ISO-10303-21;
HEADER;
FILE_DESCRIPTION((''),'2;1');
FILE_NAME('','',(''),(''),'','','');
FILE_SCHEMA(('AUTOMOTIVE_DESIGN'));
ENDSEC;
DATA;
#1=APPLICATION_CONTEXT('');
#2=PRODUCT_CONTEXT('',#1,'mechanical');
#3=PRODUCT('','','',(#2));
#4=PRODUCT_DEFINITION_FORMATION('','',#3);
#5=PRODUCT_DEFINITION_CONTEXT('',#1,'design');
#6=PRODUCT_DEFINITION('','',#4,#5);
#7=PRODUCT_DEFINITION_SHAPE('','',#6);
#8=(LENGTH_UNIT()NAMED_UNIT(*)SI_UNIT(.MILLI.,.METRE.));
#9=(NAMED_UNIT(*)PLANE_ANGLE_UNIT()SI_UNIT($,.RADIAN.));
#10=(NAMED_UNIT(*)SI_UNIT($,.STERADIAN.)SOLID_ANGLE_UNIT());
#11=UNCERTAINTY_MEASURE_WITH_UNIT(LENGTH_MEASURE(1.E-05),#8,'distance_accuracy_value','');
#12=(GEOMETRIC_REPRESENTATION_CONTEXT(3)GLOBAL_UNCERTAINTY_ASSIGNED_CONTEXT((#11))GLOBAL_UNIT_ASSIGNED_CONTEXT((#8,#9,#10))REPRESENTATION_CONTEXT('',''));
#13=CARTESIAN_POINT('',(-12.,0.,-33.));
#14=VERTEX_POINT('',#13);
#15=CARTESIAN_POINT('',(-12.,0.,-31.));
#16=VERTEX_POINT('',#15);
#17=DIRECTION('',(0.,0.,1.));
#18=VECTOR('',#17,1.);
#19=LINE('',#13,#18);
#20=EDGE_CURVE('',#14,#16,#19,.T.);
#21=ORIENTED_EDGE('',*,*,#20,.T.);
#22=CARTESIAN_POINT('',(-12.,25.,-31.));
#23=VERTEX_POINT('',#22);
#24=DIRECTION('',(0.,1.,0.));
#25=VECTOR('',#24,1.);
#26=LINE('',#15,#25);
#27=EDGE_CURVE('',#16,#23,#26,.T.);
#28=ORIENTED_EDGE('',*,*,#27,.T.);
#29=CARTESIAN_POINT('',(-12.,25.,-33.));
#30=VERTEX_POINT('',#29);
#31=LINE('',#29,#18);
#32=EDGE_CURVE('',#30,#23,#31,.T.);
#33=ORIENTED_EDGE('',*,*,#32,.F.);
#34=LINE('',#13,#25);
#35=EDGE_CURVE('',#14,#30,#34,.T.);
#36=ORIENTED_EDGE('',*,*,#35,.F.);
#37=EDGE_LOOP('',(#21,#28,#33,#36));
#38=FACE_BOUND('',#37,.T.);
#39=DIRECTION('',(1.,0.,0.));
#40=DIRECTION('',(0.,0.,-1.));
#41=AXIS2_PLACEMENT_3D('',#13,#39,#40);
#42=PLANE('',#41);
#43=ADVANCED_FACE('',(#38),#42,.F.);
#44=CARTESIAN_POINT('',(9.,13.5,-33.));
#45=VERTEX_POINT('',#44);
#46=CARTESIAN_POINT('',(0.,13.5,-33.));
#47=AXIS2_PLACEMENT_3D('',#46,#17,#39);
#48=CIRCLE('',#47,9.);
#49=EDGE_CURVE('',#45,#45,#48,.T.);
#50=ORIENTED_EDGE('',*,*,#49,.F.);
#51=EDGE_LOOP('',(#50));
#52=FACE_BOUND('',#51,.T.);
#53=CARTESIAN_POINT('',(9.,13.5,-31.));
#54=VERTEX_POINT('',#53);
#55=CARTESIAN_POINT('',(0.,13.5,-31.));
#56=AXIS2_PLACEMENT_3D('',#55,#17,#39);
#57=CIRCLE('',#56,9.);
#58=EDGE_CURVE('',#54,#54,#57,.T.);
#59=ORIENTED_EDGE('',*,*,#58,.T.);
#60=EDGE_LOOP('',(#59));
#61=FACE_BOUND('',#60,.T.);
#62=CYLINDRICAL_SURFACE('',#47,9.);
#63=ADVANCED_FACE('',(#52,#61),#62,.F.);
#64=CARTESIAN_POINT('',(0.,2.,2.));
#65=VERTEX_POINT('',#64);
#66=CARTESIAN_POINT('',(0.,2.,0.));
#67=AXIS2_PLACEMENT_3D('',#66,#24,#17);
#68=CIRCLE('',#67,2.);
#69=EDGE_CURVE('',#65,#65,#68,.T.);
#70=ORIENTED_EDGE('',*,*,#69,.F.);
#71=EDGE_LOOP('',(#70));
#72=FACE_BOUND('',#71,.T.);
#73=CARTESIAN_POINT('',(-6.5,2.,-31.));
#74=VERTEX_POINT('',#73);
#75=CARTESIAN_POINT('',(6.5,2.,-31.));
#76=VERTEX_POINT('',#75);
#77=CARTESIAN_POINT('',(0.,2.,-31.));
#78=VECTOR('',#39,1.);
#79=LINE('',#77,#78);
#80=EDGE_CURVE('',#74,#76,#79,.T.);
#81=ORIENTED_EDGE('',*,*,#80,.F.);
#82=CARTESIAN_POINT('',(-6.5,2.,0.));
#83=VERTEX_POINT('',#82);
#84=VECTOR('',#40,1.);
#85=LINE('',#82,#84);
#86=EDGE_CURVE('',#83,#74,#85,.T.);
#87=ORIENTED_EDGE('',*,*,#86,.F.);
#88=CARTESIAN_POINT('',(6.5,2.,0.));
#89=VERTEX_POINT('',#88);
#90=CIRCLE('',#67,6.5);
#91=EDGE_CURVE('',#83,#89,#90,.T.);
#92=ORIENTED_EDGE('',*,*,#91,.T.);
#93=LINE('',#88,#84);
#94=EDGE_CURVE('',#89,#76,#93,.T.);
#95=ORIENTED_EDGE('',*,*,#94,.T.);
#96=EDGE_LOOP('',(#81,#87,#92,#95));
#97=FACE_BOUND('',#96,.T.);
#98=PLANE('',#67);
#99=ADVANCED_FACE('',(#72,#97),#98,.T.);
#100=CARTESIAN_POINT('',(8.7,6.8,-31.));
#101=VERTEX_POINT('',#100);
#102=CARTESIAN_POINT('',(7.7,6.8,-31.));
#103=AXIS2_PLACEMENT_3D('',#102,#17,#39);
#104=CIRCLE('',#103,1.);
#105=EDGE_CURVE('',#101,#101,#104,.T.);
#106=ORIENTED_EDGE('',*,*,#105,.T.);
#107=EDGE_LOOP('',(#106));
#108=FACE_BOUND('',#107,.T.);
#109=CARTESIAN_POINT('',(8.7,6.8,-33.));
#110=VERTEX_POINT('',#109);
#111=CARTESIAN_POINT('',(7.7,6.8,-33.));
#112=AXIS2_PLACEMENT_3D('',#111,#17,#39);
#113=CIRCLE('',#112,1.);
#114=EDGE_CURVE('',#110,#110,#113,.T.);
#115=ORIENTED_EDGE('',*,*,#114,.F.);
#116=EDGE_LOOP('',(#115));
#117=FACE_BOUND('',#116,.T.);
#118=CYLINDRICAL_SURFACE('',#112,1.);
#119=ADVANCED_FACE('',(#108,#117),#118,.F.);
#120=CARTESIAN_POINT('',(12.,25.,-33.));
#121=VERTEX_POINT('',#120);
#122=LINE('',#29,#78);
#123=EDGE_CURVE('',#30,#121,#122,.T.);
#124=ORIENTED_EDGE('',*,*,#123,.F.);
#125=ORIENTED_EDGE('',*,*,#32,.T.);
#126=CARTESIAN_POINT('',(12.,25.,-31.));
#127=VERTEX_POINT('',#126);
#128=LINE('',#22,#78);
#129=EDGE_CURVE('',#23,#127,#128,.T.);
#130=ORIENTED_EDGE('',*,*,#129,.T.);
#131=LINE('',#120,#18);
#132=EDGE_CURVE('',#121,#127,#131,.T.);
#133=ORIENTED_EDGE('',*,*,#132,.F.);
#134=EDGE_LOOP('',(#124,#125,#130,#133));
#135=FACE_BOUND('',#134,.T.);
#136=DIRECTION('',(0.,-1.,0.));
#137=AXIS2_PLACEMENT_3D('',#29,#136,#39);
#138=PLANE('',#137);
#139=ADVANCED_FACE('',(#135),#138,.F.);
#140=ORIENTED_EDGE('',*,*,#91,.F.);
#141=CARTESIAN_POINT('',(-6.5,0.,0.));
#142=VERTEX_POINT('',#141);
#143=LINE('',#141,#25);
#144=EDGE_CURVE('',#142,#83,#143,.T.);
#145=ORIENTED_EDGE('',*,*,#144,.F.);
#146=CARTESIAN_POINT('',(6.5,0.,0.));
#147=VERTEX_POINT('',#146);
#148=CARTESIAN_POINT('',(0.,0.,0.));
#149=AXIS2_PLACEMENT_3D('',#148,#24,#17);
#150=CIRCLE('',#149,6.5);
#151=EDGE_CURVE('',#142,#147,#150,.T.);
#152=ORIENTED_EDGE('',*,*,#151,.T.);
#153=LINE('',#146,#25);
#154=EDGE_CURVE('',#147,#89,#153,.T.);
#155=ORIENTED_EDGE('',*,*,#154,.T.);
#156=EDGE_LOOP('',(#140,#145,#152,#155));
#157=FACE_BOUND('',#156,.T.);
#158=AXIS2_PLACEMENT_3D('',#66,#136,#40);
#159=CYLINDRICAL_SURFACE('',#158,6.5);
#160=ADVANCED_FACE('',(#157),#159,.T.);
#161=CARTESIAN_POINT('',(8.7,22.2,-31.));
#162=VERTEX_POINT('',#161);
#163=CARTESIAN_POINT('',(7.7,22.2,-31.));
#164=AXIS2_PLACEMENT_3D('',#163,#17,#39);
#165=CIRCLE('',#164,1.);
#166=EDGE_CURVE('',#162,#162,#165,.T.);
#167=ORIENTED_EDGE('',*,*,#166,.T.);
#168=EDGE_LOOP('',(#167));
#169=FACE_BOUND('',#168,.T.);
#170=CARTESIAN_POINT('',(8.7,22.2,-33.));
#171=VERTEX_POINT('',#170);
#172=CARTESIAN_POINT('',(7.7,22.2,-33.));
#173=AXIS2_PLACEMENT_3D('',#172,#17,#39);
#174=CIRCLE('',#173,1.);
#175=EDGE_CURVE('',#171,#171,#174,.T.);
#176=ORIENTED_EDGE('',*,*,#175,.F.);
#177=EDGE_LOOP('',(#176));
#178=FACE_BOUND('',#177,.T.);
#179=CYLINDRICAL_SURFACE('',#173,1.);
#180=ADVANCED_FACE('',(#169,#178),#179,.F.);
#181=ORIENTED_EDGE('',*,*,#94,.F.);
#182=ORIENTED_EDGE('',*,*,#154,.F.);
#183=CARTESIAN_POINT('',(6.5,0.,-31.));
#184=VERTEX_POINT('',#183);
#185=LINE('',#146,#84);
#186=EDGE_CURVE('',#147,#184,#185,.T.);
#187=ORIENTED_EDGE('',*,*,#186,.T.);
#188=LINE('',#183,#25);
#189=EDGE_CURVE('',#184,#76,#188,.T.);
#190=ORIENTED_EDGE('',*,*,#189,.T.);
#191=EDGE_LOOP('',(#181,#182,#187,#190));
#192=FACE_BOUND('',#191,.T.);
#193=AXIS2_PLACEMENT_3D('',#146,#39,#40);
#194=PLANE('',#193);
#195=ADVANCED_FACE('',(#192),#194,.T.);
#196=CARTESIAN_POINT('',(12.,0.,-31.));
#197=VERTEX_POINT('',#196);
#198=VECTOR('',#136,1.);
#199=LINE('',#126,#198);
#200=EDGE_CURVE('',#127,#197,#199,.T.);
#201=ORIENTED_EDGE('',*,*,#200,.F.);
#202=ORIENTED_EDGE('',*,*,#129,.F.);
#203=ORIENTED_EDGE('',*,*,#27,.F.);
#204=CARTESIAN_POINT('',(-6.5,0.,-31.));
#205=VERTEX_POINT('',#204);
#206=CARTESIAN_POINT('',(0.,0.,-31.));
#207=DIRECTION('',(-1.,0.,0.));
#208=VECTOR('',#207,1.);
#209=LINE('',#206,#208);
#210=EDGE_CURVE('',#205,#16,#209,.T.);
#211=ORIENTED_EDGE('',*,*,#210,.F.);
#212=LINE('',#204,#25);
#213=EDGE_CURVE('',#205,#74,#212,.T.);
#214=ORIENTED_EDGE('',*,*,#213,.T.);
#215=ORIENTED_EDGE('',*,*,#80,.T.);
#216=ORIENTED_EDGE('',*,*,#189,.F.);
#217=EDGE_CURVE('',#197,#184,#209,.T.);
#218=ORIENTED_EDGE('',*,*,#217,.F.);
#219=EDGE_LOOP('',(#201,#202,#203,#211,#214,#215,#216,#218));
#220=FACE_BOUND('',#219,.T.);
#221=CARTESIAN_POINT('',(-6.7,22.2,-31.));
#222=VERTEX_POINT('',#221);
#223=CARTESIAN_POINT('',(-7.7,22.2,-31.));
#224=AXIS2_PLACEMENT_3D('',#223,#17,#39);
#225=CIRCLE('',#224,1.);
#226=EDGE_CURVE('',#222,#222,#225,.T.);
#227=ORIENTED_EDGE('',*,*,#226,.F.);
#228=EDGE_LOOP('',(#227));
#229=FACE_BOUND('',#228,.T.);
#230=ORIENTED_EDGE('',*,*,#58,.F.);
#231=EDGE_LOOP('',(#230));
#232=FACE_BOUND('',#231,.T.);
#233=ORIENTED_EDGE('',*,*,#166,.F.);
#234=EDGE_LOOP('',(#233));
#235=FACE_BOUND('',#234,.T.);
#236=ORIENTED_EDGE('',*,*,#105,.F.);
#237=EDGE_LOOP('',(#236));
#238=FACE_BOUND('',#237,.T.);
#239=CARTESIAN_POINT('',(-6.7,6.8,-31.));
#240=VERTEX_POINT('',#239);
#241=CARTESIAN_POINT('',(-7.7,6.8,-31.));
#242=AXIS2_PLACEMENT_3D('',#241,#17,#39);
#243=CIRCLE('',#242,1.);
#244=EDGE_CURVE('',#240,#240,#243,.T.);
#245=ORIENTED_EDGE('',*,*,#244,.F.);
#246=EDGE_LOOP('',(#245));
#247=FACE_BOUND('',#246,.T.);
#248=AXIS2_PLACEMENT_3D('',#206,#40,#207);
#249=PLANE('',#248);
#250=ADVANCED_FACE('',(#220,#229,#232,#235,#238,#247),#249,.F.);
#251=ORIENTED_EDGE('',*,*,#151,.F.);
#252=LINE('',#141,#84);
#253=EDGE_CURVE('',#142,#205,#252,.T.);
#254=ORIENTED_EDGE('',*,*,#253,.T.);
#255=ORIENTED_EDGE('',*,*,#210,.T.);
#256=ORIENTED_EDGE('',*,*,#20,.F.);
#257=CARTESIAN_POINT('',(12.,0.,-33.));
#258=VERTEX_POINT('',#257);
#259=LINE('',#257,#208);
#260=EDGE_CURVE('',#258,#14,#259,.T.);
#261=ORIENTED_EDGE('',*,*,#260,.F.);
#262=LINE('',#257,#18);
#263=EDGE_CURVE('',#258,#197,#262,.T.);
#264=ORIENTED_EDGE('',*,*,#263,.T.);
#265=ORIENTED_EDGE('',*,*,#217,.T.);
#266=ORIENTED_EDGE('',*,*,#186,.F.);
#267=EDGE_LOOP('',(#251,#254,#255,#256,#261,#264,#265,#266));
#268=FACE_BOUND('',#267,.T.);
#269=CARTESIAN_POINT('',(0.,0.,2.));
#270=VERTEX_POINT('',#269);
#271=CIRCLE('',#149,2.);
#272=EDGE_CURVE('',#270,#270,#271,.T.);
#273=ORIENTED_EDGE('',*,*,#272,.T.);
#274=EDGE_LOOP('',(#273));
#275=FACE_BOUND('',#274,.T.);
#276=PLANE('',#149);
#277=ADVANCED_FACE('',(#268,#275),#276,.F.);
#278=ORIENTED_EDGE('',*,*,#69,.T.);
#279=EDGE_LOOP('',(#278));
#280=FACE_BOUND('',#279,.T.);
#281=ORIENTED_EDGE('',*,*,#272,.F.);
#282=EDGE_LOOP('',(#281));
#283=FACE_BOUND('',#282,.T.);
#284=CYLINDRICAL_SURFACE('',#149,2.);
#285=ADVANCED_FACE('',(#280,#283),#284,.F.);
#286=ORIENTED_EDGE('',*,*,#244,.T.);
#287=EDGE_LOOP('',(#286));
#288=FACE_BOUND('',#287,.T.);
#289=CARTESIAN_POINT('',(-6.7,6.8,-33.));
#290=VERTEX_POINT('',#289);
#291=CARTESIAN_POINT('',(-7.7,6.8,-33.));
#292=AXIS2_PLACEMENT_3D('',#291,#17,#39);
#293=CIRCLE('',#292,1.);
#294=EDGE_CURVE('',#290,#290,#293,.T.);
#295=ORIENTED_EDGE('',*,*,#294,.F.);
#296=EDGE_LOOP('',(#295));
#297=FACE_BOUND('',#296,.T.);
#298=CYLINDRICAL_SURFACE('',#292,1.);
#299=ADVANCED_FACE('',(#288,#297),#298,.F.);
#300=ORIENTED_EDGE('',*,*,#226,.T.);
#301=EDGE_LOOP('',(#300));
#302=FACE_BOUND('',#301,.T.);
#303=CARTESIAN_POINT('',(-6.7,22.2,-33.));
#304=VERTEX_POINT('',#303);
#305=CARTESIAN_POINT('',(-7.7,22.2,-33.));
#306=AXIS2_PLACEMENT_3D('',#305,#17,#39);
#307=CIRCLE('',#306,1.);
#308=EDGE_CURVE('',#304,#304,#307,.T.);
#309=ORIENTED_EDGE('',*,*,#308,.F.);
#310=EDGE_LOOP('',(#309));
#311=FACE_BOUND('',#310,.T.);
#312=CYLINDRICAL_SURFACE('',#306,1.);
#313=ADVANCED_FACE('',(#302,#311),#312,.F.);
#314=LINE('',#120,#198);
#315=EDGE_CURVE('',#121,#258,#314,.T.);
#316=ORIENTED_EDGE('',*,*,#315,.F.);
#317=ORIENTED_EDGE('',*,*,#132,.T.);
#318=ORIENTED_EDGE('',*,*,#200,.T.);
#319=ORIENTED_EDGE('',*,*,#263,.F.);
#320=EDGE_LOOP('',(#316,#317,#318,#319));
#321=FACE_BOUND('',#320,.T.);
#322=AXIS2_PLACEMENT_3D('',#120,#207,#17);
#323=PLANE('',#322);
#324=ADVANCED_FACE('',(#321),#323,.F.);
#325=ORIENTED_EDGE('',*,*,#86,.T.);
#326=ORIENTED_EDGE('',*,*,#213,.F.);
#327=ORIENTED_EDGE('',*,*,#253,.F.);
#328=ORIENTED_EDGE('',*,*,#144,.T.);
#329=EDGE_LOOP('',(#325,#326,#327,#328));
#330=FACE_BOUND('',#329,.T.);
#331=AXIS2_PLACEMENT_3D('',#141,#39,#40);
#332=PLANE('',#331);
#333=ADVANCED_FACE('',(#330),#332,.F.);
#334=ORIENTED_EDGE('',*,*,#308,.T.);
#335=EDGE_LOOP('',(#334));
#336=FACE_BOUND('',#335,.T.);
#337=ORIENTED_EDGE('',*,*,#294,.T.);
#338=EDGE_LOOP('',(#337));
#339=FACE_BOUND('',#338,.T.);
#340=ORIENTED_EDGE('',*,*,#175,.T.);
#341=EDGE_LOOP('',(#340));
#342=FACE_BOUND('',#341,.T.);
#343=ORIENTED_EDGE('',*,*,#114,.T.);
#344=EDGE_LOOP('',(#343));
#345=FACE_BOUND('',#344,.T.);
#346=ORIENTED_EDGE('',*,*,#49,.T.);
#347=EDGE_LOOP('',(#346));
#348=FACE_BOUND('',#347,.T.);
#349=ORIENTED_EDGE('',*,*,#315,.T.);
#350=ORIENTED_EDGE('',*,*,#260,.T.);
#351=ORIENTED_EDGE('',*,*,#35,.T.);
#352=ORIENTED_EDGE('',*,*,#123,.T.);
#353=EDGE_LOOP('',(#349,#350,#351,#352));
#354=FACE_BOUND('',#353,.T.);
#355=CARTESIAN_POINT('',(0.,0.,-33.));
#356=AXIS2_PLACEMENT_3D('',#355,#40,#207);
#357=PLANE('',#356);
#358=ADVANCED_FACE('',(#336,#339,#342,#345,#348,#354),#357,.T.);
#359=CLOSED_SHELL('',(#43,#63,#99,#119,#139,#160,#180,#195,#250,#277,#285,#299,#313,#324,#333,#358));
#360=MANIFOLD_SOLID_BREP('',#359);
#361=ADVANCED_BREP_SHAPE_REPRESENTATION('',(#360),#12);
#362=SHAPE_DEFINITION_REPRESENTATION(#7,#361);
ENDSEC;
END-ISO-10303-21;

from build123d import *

# Parameters (mm, degrees)
SKETCH_2_R          = 6.5
EXTRUDE_1_DEPTH     = 2
SKETCH_3_R          = 2
CUT_EXTRUDE_2_DEPTH = 10.407443861
EXTRUDE_START       = -2
EXTRUDE_2_DEPTH     = 2
EXTRUDE_3_DEPTH     = 2
SKETCH_22_R         = 9
SKETCH_22_R_2       = 1
CUT_EXTRUDE_4_DEPTH = 2


with BuildPart() as part:
    # 草图2 → 凸台-拉伸1 (new body)
    with BuildSketch(Plane(origin=(0, 0, 0), x_dir=(1, 0, 0), z_dir=(0, 1, 0))):
        with Locations(Location((0, 0, 0), (0, 0, 270))):
            Circle(SKETCH_2_R)
    extrude(amount=EXTRUDE_1_DEPTH)

    # 草图3 → 切除-拉伸2 (cut, through all)
    with BuildSketch(Plane(origin=(0, 2, 0), x_dir=(1, 0, 0), z_dir=(0, 1, 0))):
        with Locations(Location((0, 0, 0), (0, 0, 270))):
            Circle(SKETCH_3_R)
    extrude(amount=-CUT_EXTRUDE_2_DEPTH, mode=Mode.SUBTRACT)

    # 草图4 → 凸台-拉伸2 (add)
    with BuildSketch(Plane(origin=(0, 2, 0), x_dir=(1, 0, 0), z_dir=(0, 1, 0)).offset(EXTRUDE_START)):
        with BuildLine():
            Line((6.5, 0), (6.5, 31))
            Line((6.5, 31), (3.899148682, 31))
            Line((3.899148682, 31), (-4.100851318, 31))
            Line((-4.100851318, 31), (-6.5, 31))
            Line((-6.5, 31), (-6.5, 0))
            ThreePointArc((-6.5, 0), (0, 6.5), (6.5, 0))
        make_face()
    extrude(amount=EXTRUDE_2_DEPTH)

    # 草图21 → 凸台-拉伸3 (add)
    with BuildSketch(Plane(origin=(0, 0, -31), x_dir=(-1, 0, 0), z_dir=(0, 0, -1))):
        Polygon((0, 0), (12, 0), (12, 25), (-12, 25), (-12, 0), align=None)
    extrude(amount=EXTRUDE_3_DEPTH)

    # 草图22 → 切除-拉伸4 (cut)
    with BuildSketch(Plane.XY.offset(-31)):
        with Locations((0, 13.5)):
            Circle(SKETCH_22_R)
        with Locations((7.7, 22.2)):
            Circle(SKETCH_22_R_2)
        with Locations((-7.7, 22.2)):
            Circle(SKETCH_22_R_2)
        with Locations((-7.7, 6.8)):
            Circle(SKETCH_22_R_2)
        with Locations((7.7, 6.8)):
            Circle(SKETCH_22_R_2)
    extrude(amount=-CUT_EXTRUDE_4_DEPTH, mode=Mode.SUBTRACT)


solid = part.part
